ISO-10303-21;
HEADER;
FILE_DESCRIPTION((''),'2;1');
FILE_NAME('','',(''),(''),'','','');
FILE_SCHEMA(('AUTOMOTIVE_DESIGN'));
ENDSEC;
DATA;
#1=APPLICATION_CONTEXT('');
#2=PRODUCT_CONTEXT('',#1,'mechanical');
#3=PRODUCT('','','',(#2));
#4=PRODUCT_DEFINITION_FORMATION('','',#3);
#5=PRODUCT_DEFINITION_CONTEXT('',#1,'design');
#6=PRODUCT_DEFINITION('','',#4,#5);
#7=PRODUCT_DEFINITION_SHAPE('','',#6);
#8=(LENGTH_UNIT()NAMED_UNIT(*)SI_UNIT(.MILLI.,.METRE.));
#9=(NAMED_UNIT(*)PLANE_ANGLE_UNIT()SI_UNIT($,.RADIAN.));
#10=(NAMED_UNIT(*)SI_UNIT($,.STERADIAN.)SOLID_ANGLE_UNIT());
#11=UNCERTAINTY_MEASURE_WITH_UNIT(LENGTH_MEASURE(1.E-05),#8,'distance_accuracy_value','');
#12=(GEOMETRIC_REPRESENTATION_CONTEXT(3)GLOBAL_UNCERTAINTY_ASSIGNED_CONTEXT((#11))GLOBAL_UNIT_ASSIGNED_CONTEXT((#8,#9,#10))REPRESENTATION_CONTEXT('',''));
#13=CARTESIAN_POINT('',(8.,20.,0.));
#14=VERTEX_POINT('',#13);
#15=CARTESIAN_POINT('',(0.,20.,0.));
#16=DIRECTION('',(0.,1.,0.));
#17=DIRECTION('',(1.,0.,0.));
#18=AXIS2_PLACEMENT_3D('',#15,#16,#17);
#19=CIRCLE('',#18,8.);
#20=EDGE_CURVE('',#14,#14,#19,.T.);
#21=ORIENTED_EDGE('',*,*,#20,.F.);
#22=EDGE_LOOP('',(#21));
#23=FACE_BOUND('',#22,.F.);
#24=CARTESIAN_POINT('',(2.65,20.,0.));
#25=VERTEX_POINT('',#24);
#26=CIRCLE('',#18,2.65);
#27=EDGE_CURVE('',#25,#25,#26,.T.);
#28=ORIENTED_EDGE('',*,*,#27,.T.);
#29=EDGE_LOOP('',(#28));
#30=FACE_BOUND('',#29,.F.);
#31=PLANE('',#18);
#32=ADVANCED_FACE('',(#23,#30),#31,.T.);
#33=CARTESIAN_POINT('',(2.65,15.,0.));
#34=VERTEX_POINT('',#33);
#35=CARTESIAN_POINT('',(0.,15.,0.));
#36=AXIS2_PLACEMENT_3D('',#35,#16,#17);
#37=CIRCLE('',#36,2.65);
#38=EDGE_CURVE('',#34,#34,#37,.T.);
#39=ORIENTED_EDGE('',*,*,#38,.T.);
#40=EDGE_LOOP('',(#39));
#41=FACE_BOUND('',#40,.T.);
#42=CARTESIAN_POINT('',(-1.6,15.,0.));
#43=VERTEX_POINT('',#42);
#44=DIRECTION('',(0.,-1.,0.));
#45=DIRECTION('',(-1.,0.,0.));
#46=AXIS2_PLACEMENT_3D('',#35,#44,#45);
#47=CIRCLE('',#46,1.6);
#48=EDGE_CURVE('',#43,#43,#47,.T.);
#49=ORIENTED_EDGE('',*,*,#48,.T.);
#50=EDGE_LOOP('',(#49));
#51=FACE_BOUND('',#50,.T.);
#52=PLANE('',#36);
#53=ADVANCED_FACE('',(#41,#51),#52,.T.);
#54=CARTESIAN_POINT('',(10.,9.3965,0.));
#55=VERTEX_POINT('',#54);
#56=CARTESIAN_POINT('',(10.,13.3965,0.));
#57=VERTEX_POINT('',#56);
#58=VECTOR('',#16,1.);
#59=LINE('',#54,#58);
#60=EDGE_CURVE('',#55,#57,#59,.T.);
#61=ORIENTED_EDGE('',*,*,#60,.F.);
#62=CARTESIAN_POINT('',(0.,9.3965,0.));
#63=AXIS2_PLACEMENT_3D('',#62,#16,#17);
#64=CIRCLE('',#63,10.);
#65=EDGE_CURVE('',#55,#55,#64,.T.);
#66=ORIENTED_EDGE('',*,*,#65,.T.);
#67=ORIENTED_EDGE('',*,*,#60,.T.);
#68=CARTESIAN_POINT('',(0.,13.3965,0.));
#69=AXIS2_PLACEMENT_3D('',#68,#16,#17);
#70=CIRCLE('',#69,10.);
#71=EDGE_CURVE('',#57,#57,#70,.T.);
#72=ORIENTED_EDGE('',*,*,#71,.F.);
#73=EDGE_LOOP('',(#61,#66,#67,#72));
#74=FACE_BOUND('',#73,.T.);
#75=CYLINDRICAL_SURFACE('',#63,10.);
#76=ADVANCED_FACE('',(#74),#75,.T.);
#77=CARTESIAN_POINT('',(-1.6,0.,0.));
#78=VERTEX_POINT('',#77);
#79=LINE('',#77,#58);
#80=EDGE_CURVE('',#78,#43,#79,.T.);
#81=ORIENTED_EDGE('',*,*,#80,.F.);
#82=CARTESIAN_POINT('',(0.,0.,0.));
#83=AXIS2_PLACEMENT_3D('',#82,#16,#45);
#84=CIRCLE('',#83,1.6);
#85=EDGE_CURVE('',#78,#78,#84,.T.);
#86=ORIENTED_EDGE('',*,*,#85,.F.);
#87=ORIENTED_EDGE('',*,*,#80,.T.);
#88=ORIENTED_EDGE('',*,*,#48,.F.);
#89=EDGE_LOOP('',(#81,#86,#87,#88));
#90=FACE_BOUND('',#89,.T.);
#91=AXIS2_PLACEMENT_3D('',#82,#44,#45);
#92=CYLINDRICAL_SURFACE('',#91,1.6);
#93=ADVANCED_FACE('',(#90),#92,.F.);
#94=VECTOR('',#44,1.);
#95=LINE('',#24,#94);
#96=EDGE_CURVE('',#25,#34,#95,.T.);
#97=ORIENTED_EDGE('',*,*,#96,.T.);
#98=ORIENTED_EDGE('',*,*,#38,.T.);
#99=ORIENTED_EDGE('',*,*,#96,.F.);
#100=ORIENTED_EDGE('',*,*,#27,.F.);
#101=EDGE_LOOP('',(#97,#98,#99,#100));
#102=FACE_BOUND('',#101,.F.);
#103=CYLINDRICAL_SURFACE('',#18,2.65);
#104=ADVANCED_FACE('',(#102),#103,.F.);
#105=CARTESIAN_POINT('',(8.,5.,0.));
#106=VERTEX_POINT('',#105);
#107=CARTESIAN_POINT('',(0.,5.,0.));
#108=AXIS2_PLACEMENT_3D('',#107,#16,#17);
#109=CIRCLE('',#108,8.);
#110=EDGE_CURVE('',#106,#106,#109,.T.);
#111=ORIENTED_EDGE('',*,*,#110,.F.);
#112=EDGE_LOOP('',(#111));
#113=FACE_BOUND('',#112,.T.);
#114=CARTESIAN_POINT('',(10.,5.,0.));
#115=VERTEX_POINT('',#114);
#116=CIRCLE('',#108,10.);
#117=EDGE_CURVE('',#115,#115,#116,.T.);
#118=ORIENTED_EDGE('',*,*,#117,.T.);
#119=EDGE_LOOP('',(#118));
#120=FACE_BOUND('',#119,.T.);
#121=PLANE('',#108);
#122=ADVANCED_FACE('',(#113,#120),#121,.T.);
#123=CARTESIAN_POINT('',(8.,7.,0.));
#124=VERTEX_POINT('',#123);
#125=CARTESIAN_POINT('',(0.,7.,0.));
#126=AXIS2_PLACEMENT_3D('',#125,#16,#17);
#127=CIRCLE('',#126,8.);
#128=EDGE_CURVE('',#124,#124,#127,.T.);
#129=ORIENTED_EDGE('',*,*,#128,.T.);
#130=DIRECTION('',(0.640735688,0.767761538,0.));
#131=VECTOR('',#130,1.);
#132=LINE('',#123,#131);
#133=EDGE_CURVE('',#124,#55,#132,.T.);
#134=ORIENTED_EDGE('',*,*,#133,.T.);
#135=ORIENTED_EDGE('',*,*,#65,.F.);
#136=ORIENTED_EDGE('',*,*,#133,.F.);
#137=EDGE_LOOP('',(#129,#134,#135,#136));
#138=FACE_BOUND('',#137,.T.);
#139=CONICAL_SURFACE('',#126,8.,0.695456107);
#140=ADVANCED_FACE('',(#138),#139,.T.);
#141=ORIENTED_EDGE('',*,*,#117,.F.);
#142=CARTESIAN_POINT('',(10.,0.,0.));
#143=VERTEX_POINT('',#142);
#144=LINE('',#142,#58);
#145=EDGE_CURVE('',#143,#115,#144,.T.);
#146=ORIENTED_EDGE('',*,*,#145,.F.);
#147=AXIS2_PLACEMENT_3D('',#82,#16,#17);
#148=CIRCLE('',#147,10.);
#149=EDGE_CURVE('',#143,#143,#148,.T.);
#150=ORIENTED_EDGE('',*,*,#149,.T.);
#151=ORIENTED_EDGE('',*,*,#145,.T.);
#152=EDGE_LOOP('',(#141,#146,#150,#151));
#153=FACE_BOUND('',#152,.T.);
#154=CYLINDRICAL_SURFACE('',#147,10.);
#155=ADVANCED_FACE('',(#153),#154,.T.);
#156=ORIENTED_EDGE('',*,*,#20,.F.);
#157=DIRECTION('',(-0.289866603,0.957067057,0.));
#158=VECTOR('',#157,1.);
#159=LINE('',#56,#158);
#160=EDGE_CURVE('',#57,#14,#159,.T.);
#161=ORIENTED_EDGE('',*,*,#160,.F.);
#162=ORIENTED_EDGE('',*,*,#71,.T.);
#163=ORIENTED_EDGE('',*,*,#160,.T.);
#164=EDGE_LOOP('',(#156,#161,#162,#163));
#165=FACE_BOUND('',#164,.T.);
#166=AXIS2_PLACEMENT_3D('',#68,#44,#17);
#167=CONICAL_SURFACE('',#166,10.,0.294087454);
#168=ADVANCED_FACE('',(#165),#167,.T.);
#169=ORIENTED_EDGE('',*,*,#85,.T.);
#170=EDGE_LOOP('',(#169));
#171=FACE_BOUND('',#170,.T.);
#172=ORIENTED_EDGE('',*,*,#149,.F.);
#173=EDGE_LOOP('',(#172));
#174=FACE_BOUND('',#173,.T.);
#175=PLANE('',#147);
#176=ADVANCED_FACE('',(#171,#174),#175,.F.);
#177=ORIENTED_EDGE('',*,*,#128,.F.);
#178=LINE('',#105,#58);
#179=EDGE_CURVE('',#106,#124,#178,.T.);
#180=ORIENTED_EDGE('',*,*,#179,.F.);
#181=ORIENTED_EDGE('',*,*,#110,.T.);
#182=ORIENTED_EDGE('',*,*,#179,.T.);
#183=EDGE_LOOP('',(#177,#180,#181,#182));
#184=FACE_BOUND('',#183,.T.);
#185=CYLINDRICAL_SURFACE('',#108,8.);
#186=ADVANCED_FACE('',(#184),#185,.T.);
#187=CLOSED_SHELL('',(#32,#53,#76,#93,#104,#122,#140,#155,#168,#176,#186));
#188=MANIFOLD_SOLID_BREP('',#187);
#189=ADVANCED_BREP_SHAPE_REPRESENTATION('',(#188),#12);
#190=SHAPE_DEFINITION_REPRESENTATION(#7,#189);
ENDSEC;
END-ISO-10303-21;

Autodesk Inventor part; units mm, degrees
ref_plane "YZ Plane" through (0, 0, 0) normal (1, 0, 0) x (0, 1, 0)
ref_plane "XZ Plane" through (0, 0, 0) normal (0, 1, 0) x (-1, 0, 0)
ref_plane "XY Plane" through (0, 0, 0) normal (0, 0, 1) x (1, 0, 0)
sketch "Sketch3" plane through (0, 0, 0) normal (0, 0, 1) x (1, 0, 0)
  line L0 (0, 0) -> (10, 0)
  line L1 (0, 0) -> (0, 20)
  line L2 (0, 20) -> (8, 20)
  line L3 (10, 0) -> (10, 5)
  line L4 (10, 5) -> (8, 5)
  line L5 (8, 5) -> (8, 7)
  line L6 (8, 7) -> (10, 9.3965)
  line L7 (10, 9.3965) -> (10, 13.3965)
  line L8 (10, 13.3965) -> (8, 20)
  dimension "d17" = 10
  dimension "d18" = 20
  dimension "d19" = 8
  dimension "d40" = 5
  dimension "d43" = 2
  dimension "d44" = 4
  dimension "d45" = 2
revolve "Revolution1" add sketch "Sketch3" angle 360 about axis through (0, 0, 0) along (0, 1, 0)
sketch "Sketch4" plane through (0, 0, 0) normal (0, 1, 0) x (-1, 0, 0)
  circle A0 centre (0, 0) radius 1.6
  dimension "d27" = 3.2
extrude "Extrusion3" cut sketch "Sketch4" along normal through all
sketch "Sketch5" plane through (0, 20, 0) normal (0, 1, 0) x (1, 0, 0)
  circle A0 centre (0, 0) radius 2.65
  dimension "d30" = 5.3
extrude "Extrusion4" cut sketch "Sketch5" against normal blind 5
sketch "Sketch6" plane through (0, 0, 0) normal (0, -1, 0) x (1, 0, 0)
  circle A0 centre (-6, 0) radius 1.5
  circle A1 centre (6, 0) radius 1.5
  circle A2 centre (0, 0) radius 1.6 projected
  line L0 (-6, 0) -> (0, 0) construction
  line L1 (0, 0) -> (6, 0) construction
  dimension "d33" = 3
  dimension "d35" = 3
  dimension "d47" = 6
extrude "Extrusion5" [suppressed]
equation "\"d35\" = d33"
equation "\"d47\" = 2 * d33"
properties part number "modular-post"
